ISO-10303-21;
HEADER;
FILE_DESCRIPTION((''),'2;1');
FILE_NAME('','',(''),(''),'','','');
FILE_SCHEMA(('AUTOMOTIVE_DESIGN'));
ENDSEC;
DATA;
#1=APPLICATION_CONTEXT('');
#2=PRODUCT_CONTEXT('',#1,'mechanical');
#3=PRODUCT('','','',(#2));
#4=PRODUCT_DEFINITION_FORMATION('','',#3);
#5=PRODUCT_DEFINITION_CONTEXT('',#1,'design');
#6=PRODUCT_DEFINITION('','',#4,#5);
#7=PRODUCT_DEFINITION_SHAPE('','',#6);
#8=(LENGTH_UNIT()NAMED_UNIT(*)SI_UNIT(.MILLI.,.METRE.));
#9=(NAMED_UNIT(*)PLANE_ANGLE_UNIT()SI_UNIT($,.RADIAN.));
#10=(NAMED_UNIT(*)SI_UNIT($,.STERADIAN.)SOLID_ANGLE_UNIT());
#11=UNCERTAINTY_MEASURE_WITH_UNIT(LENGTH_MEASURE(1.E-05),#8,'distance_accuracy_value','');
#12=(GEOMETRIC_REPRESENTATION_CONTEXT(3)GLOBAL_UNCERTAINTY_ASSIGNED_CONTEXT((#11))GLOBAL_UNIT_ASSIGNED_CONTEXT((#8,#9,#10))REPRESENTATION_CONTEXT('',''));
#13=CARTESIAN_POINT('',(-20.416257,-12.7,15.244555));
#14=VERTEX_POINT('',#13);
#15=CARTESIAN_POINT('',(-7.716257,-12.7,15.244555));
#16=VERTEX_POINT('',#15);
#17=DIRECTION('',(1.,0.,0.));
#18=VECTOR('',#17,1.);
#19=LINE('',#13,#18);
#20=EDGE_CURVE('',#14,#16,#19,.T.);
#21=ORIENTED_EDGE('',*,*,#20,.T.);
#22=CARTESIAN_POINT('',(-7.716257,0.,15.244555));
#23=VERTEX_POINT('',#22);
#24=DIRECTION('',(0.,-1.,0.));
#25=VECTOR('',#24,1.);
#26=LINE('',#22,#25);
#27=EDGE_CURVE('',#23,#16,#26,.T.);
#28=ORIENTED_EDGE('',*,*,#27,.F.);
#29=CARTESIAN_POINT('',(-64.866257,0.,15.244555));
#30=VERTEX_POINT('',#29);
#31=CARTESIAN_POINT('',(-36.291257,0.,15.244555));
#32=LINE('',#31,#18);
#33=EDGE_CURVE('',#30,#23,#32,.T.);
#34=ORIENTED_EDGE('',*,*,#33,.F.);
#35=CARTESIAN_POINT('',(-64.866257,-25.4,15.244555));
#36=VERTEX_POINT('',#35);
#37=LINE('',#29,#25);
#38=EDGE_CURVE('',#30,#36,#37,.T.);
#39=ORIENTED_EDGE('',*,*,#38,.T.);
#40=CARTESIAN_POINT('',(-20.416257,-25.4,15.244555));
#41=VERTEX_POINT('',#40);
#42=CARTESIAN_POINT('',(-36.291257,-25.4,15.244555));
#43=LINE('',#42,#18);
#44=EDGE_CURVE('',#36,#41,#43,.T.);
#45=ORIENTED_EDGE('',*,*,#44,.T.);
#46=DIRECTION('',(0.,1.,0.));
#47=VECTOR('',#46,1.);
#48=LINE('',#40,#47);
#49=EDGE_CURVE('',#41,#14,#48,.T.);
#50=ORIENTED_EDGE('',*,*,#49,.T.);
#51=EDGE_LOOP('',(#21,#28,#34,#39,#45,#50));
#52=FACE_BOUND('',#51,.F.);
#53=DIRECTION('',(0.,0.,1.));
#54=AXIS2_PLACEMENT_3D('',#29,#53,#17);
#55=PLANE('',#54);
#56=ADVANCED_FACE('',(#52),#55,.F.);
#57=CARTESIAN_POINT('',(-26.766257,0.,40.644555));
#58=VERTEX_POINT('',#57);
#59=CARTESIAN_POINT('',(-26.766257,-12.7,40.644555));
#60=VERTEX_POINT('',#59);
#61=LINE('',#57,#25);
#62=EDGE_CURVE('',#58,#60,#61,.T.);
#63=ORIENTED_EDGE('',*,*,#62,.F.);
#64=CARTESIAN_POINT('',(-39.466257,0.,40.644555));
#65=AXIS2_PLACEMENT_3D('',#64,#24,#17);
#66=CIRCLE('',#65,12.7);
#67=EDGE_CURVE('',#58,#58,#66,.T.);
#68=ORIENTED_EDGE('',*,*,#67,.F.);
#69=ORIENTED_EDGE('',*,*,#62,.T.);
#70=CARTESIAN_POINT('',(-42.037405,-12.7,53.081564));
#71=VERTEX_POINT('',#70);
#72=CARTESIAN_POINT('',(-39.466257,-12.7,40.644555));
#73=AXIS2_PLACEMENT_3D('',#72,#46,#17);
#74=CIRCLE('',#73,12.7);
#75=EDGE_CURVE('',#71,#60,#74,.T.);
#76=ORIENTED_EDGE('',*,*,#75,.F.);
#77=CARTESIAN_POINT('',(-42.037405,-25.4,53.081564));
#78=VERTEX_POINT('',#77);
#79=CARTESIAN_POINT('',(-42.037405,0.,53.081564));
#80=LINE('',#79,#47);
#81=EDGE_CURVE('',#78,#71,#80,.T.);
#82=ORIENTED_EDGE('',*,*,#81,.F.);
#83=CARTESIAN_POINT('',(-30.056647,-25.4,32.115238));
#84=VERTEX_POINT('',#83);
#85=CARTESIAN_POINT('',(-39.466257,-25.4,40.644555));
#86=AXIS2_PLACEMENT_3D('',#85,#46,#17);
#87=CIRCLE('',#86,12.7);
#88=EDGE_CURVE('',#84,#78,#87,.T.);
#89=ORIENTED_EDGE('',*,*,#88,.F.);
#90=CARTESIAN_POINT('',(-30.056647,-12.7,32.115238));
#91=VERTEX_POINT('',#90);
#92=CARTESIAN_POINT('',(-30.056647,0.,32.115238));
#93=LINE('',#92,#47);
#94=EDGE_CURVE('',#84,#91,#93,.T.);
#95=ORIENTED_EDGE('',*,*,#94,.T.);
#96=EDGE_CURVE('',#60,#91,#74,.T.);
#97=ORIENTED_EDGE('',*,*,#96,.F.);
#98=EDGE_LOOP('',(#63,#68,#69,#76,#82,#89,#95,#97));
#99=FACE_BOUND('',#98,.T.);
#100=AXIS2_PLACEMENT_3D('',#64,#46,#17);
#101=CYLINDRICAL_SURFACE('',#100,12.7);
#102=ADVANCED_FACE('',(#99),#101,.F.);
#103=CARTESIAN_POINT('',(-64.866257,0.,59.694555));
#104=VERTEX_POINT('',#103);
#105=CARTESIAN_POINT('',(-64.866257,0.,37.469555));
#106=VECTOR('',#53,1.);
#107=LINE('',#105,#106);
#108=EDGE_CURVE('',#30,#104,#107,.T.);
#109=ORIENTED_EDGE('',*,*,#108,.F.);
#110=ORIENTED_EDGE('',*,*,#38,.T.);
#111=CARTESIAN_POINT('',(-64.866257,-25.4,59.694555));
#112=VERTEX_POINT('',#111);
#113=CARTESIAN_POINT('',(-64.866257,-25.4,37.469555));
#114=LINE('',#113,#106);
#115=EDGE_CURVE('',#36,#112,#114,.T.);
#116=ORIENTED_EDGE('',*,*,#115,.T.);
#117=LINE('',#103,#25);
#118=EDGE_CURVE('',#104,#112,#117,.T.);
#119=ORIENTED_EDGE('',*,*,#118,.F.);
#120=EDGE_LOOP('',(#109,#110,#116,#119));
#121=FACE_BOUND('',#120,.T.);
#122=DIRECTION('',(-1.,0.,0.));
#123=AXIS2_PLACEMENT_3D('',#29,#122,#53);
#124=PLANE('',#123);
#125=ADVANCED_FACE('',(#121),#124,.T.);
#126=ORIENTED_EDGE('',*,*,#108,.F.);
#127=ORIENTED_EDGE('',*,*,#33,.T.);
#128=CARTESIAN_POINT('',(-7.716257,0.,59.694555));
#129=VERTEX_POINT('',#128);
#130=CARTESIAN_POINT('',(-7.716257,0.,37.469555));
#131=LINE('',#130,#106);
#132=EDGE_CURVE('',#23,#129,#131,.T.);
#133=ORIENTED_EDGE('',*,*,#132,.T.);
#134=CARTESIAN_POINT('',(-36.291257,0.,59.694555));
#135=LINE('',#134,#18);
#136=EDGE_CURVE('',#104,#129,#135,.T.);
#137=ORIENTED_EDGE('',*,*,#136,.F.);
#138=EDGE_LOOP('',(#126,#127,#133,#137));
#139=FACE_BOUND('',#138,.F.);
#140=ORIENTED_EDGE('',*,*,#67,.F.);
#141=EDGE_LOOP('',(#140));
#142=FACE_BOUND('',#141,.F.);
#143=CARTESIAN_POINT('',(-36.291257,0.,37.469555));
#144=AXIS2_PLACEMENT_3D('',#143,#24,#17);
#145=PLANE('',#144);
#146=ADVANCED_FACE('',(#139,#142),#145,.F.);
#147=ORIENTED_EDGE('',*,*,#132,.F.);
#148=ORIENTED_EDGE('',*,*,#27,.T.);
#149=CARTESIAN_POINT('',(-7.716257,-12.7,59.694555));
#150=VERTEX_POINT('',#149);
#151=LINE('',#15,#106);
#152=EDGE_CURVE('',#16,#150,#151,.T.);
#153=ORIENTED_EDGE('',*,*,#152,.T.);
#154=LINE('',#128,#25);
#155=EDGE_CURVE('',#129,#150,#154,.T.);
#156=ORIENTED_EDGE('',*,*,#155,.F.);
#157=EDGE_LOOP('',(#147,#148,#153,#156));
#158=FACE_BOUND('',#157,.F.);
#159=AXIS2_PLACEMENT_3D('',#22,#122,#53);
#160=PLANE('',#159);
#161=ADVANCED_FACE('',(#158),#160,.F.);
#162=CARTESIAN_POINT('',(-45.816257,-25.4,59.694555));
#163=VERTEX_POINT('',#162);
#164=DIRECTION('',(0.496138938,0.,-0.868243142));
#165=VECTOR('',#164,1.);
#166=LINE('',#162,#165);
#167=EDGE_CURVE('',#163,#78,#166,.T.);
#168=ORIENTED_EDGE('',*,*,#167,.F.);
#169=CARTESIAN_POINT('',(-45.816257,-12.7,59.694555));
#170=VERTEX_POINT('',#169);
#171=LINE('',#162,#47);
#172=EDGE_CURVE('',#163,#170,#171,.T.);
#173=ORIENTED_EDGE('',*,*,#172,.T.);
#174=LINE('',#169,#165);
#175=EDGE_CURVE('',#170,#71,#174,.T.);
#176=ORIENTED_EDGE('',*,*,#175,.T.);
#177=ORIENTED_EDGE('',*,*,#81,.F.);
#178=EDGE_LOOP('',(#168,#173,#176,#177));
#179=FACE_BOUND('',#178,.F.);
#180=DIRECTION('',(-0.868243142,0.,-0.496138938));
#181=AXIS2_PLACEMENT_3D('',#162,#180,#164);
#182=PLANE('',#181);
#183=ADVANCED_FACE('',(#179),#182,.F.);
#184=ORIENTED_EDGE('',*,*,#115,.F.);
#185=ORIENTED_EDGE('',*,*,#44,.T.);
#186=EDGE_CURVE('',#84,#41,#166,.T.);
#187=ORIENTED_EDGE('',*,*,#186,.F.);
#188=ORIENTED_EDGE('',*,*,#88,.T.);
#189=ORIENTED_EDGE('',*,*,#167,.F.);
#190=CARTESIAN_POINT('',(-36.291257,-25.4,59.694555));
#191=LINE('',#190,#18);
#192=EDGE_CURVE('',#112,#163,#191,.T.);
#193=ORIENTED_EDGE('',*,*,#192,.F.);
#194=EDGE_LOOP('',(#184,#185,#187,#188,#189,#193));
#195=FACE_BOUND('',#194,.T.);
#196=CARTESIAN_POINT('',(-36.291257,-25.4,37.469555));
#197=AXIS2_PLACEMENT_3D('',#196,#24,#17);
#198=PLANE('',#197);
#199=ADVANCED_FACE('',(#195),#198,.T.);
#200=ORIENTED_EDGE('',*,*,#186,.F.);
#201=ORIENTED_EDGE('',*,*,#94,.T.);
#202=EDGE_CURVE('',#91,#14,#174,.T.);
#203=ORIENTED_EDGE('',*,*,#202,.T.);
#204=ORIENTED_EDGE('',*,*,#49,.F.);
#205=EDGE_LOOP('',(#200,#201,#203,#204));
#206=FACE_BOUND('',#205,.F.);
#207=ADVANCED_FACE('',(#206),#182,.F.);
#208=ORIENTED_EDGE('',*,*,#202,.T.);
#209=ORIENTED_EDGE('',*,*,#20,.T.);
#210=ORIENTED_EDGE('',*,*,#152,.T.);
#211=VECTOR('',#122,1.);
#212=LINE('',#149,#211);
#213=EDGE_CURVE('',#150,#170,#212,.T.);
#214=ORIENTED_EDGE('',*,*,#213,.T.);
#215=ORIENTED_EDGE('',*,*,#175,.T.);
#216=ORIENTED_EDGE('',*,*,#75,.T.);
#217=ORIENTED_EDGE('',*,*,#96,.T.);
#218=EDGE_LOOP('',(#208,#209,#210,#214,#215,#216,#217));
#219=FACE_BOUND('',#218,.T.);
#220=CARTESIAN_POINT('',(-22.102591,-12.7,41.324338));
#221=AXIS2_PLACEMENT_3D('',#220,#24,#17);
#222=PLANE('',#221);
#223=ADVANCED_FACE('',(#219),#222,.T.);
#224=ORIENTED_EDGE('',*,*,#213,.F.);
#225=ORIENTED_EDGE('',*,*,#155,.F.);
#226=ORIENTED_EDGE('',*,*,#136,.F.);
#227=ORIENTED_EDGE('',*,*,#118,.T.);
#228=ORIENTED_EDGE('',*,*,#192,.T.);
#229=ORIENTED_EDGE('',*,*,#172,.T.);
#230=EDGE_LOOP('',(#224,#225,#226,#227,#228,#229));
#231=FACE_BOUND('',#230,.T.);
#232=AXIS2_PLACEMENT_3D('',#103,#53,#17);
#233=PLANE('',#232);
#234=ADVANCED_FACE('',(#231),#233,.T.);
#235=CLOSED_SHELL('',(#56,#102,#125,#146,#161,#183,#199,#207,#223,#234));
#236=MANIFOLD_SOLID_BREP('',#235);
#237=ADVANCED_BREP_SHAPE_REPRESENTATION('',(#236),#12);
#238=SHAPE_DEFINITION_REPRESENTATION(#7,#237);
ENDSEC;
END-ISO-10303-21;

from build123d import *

# Parameters (mm, degrees)
F0_W     = 57.15
F0_H     = 44.45
F1_DEPTH = 25.4
F3_DEPTH = 12.7
F4_R     = 12.7
F5_DEPTH = 25.401


with BuildPart() as f1:
    # F0 (on Front) → F1 (new body)
    with BuildSketch(Plane.XZ):
        with Locations((-36.291257, 37.469555)):
            Rectangle(F0_W, F0_H)
    extrude(amount=F1_DEPTH)

    # F2 (on face) → F3 (cut)
    with BuildSketch(Plane.XZ.offset(25.4)):
        Polygon((-7.716257, 59.694555), (-45.816257, 59.694555), (-20.416257, 15.244555), (-7.716257, 15.244555), align=None)
    extrude(amount=-F3_DEPTH, mode=Mode.SUBTRACT)

    # F4 (on face) → F5 (cut, through all)
    with BuildSketch(Plane.XZ):
        with Locations((-39.466257, 40.644555)):
            Circle(F4_R)
    extrude(amount=F5_DEPTH, mode=Mode.SUBTRACT)


solid = f1.part
